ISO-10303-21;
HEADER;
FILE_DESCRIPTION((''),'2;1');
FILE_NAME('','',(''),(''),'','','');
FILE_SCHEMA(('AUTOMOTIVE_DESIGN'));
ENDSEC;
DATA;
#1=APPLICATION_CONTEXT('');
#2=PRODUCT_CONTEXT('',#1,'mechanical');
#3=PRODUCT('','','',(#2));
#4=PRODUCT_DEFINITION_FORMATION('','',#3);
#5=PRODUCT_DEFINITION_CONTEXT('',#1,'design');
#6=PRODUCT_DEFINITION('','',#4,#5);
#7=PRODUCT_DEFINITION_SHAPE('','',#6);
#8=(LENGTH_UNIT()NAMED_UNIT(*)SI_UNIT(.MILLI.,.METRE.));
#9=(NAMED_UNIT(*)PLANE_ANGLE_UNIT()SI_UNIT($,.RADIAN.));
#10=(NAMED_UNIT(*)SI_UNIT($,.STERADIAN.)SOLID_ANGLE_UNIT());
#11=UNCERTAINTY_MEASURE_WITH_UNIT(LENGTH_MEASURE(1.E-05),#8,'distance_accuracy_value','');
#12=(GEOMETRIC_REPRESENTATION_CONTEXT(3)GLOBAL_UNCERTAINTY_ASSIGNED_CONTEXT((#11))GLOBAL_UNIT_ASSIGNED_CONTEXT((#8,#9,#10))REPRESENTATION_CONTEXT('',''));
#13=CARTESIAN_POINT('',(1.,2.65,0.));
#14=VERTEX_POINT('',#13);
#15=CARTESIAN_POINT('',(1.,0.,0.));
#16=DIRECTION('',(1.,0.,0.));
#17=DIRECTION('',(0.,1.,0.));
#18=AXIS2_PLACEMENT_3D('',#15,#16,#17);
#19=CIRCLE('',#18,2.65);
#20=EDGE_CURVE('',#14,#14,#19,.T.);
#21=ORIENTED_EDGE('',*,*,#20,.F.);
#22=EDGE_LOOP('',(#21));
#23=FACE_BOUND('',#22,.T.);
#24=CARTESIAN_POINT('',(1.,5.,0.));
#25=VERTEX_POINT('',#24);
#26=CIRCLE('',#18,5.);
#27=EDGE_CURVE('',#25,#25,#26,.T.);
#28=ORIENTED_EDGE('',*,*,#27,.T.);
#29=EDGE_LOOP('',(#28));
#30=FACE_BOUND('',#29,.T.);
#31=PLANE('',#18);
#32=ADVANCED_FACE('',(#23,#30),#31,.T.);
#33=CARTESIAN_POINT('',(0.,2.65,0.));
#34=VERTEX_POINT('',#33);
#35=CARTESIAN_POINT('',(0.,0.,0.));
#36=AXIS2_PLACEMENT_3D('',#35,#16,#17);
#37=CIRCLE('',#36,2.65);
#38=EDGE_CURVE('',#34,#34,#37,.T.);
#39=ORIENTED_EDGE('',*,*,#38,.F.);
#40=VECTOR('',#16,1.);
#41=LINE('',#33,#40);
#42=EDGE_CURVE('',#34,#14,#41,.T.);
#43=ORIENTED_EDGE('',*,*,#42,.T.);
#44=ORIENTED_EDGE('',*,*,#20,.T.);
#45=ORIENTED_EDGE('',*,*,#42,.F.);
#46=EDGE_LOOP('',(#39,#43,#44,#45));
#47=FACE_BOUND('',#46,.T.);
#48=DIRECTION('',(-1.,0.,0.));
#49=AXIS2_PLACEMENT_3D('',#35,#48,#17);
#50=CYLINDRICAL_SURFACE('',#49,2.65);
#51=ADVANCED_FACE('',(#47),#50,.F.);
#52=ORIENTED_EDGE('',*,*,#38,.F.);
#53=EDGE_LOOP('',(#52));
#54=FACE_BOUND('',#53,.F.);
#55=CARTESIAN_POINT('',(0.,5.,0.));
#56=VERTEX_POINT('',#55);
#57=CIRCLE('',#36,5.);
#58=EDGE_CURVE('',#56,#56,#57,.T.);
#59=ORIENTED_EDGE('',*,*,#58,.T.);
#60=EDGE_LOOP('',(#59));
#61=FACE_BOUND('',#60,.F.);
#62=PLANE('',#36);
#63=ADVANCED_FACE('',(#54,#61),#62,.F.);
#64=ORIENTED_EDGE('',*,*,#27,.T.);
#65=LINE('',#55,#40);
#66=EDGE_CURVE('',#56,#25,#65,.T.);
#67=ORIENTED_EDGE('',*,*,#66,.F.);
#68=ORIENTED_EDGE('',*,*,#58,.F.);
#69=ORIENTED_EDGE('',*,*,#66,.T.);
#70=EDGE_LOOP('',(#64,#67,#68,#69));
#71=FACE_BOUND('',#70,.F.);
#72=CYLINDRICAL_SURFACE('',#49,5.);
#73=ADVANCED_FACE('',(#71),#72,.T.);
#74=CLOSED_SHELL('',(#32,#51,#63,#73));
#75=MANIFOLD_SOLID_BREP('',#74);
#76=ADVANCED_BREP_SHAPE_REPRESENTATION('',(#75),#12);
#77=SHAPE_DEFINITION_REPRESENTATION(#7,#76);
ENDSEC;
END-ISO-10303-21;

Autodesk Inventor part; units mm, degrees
ref_plane "YZ Plane" through (0, 0, 0) normal (1, 0, 0) x (0, 1, 0)
ref_plane "XZ Plane" through (0, 0, 0) normal (0, 1, 0) x (-1, 0, 0)
sketch "Sketch" plane through (0, 0, 0) normal (1, 0, 0) x (0, 1, 0)
  circle A0 centre (0, 0) radius 5
  circle A1 centre (0, 0) radius 2.65
  dimension "d0" = 5.3
  dimension "d1" = 10
extrude "Body" add sketch "Sketch" along normal blind 1
ref_plane "Work Plane1" through (0, 0, 0) normal (0, 0, 1) x (1, 0, 0)
equation "\"d0\" = SD1"
equation "\"d1\" = SD2"
equation "\"d2\" = SD"
equation "\"SD1\" = 5.3"
equation "\"SD2\" = 10"
equation "\"SD\" = 1"
equation "\"NND\" = 5"
properties part number "CSN 02 1702 - B 5,3" material "Steel, Mild"
